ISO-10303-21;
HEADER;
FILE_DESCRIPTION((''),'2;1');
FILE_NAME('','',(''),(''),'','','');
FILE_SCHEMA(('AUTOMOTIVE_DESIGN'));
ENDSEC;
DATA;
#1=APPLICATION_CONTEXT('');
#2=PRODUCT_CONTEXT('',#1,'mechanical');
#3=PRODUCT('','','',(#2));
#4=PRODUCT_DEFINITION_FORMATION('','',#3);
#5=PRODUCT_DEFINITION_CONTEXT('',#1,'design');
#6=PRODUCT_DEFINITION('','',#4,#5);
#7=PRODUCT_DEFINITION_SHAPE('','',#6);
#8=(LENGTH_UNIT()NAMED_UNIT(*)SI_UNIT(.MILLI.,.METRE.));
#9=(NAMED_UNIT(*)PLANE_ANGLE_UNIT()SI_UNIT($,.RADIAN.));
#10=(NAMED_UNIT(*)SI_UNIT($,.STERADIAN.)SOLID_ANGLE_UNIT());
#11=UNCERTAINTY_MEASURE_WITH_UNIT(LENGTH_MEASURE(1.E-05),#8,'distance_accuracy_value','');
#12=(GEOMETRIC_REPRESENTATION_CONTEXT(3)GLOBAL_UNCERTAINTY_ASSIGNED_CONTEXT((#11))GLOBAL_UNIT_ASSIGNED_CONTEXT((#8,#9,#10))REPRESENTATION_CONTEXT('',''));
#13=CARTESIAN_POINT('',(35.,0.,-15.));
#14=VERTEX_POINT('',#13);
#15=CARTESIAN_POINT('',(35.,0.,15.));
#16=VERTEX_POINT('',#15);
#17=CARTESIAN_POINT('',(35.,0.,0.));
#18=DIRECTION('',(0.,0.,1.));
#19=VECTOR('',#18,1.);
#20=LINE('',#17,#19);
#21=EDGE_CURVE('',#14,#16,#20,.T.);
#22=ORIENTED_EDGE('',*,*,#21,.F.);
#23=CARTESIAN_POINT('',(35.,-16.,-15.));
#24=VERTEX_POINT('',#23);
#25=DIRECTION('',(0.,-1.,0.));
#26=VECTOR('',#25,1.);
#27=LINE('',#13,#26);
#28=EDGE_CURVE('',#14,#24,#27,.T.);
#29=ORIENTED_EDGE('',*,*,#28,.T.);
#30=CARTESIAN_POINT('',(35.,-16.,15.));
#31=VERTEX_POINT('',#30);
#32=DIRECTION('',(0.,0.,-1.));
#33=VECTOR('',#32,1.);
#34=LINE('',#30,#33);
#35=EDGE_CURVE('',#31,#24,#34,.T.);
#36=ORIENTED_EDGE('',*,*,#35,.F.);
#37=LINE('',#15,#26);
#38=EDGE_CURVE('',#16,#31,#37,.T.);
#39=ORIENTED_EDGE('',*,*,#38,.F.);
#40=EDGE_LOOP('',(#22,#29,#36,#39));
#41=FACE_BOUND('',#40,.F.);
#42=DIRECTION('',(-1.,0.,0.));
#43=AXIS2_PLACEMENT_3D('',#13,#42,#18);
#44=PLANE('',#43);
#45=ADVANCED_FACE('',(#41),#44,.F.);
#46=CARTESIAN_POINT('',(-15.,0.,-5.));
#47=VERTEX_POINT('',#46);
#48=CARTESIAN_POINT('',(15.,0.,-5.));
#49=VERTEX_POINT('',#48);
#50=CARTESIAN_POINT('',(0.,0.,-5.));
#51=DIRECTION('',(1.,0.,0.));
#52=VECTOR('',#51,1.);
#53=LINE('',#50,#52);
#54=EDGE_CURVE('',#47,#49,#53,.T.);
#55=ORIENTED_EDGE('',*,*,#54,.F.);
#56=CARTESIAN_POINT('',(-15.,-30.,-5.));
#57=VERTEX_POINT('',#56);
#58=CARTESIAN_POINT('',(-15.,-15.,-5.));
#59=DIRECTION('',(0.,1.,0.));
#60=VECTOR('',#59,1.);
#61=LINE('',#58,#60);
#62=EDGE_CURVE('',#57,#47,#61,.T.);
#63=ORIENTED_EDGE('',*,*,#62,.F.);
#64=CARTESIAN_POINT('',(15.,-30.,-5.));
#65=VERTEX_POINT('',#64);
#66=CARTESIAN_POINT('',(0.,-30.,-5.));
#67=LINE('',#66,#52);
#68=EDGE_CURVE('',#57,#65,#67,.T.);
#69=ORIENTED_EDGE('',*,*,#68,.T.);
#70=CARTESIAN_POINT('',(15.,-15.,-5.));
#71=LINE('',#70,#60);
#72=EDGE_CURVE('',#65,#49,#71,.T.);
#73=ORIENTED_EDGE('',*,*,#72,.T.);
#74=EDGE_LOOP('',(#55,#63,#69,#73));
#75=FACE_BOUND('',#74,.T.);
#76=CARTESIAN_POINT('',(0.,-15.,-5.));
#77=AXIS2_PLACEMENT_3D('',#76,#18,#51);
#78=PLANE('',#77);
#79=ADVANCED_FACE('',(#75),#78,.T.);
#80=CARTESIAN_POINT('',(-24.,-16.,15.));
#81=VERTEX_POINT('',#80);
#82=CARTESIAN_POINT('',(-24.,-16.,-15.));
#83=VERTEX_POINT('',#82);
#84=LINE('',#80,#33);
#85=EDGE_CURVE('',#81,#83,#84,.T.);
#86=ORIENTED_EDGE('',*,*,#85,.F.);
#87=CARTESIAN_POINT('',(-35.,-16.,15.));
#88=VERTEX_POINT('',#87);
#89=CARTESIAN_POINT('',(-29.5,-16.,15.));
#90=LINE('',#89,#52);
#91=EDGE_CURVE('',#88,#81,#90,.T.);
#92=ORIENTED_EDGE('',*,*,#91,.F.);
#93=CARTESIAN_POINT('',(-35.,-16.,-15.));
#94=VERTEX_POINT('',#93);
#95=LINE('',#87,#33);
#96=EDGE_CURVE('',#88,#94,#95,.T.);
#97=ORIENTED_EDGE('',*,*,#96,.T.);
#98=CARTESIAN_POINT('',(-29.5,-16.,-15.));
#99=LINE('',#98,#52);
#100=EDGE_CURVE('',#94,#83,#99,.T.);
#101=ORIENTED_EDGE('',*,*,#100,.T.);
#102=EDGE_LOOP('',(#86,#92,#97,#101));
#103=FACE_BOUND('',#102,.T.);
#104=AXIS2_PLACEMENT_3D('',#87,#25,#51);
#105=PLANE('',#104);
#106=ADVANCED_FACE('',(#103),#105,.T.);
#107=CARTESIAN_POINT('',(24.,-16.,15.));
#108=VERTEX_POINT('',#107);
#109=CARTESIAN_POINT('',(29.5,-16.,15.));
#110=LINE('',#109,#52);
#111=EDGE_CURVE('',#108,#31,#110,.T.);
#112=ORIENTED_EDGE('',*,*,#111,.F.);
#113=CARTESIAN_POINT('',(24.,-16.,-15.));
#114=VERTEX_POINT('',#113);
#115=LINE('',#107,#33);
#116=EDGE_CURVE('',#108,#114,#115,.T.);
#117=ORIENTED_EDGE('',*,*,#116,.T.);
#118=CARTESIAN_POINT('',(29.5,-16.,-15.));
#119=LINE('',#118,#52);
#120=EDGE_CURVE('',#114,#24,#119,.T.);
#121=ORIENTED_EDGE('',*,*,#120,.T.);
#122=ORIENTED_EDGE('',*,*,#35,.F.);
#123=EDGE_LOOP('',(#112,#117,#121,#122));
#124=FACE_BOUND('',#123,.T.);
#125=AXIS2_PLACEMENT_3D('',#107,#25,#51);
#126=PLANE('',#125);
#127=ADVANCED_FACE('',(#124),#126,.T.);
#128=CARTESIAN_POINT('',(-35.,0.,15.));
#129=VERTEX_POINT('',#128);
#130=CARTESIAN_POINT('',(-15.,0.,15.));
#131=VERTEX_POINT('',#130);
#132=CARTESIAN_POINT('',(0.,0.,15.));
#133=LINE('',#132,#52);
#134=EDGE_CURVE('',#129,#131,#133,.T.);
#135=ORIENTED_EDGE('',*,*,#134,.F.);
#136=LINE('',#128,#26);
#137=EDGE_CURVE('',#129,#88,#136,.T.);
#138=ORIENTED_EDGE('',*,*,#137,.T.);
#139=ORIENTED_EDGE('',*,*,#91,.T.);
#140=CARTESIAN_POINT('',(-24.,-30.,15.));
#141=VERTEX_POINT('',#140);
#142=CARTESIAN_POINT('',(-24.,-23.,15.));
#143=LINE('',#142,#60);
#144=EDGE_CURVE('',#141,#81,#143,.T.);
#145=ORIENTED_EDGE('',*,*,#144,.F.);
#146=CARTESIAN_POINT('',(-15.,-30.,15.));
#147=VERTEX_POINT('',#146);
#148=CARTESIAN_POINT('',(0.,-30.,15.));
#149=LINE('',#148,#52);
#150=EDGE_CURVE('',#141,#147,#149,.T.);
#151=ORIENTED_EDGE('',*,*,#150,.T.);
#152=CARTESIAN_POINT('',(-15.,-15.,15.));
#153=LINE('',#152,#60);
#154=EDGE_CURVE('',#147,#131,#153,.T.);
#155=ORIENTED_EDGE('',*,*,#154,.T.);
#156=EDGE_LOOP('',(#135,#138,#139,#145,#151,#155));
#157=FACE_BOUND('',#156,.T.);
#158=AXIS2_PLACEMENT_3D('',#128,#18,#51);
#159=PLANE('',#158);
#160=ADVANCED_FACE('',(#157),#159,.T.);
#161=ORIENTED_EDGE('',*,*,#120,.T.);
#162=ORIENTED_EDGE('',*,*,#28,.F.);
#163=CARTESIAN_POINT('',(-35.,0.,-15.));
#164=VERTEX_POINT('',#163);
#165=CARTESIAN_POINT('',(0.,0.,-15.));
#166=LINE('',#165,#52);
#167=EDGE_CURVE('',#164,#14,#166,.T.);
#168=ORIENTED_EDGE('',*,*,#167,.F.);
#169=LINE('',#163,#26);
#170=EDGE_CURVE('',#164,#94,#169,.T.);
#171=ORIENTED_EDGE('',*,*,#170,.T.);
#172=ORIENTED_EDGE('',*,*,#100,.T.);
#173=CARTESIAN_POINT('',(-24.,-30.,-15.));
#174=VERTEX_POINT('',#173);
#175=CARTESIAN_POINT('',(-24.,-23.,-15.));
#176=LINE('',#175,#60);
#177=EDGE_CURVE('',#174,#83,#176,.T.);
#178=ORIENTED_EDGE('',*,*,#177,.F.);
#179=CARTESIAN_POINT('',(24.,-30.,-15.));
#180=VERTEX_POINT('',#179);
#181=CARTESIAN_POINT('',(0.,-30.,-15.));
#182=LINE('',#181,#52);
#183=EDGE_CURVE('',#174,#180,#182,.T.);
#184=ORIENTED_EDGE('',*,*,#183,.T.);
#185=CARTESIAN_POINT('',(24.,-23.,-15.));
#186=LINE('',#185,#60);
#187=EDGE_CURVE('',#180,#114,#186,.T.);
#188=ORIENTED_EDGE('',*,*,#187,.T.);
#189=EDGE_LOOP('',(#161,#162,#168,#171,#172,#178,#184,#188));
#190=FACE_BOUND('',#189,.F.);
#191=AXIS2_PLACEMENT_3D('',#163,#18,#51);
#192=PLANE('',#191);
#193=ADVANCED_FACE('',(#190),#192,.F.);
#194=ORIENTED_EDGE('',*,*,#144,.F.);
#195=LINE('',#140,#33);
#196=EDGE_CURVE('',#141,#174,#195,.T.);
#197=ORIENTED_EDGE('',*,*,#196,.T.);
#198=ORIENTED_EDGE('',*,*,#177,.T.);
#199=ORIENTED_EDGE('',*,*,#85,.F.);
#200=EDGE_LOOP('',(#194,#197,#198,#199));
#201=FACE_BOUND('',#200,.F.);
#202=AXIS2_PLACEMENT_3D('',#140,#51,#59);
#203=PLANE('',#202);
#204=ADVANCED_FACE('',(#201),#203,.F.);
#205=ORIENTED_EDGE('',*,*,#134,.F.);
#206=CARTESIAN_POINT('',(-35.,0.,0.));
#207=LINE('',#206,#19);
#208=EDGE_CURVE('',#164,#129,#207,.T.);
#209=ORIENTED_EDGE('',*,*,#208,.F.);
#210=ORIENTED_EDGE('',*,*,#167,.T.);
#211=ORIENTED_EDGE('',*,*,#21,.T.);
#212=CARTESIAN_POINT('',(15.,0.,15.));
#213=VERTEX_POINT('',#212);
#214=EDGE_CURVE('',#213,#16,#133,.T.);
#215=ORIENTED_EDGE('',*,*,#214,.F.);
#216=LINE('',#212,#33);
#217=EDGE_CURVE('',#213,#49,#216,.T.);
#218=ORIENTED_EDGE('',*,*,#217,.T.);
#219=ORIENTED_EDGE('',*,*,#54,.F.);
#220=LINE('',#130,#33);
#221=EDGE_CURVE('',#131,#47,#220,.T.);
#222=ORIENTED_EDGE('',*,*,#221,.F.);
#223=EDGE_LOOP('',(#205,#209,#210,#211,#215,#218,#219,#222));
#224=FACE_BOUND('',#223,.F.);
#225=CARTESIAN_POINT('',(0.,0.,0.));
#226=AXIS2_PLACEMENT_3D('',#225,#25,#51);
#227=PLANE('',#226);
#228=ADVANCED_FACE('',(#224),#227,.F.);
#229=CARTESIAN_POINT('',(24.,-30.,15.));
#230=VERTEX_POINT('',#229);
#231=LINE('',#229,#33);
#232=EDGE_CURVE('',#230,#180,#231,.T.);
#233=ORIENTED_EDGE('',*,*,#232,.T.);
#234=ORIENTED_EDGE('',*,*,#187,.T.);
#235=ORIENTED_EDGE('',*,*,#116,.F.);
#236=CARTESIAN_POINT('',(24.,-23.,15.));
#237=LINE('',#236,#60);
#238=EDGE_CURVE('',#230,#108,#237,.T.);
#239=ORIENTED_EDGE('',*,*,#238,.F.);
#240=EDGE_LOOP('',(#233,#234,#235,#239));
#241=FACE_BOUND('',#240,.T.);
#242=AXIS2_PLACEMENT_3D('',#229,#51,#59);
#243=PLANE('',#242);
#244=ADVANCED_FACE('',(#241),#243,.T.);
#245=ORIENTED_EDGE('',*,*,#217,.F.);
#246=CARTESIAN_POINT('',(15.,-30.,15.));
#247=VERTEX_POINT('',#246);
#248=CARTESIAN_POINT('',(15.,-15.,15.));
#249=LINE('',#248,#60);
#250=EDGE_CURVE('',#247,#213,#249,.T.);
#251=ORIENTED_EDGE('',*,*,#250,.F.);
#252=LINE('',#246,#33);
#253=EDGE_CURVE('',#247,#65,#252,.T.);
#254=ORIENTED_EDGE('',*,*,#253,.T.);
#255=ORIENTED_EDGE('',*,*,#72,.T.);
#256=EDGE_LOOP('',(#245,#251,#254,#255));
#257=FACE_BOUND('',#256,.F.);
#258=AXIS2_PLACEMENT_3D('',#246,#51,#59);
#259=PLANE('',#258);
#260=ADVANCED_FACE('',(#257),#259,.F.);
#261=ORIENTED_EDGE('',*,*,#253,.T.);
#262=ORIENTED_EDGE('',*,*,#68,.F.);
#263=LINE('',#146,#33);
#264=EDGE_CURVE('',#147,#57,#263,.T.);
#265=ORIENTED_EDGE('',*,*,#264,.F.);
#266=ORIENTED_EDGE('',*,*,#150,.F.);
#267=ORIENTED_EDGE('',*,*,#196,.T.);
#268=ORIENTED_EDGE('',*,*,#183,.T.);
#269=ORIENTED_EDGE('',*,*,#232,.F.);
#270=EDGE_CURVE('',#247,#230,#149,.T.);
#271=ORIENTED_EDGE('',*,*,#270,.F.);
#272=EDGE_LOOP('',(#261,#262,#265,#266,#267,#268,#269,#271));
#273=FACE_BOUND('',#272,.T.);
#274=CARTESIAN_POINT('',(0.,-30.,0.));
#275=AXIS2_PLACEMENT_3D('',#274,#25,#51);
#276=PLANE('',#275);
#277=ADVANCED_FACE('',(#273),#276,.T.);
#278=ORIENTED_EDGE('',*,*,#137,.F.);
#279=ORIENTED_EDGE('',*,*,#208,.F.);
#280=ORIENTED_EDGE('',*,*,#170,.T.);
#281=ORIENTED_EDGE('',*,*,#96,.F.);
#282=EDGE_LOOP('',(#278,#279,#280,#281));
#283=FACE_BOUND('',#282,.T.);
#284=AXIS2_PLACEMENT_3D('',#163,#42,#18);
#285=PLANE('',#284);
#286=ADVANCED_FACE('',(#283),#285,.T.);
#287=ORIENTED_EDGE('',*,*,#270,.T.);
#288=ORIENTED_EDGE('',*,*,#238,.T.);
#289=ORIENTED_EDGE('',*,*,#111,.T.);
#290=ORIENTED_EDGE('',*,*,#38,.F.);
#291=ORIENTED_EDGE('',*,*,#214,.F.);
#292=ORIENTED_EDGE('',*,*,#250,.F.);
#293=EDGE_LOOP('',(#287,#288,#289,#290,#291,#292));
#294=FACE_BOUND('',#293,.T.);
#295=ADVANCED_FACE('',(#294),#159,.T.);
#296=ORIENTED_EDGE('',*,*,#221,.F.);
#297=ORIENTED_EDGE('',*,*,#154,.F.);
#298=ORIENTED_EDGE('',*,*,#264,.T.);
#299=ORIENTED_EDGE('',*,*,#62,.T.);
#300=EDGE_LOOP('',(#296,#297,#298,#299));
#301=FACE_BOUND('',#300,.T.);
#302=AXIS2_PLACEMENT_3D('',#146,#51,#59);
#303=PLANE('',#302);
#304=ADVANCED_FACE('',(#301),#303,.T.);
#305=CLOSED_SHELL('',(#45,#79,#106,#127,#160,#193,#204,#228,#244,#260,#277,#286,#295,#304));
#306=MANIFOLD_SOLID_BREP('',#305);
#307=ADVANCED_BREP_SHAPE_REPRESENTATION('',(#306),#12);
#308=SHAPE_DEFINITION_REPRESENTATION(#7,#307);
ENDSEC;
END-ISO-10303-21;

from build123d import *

# Parameters (mm, degrees)
F0_W     = 70
F0_H     = 30
F1_DEPTH = 30
F2_W     = 30
F2_H     = 30
F3_DEPTH = 20
F4_DEPTH = 20
F5_W     = 11
F5_H     = 14
F6_DEPTH = 30
F7_W     = 11
F7_H     = 14
F8_DEPTH = 30


with BuildPart() as f1:
    # F0 (on Front) → F1 (new body)
    with BuildSketch(Plane.XZ):
        Rectangle(F0_W, F0_H)
    extrude(amount=F1_DEPTH)

    # F2 (on face) → F3 (cut)
    with BuildSketch(Plane.XY.offset(15)):
        with Locations((0, -15)):
            Rectangle(F2_W, F2_H)
    extrude(amount=-F3_DEPTH, mode=Mode.SUBTRACT)

    # F2 (on face) → F4 (cut)
    with BuildSketch(Plane.XY.offset(15)):
        with Locations((0, -15)):
            Rectangle(F2_W, F2_H)
    extrude(amount=-F4_DEPTH, mode=Mode.SUBTRACT)

    # F5 (on face) → F6 (cut)
    with BuildSketch(Plane.XY.offset(15)):
        with Locations((29.5, -23)):
            Rectangle(F5_W, F5_H)
    extrude(amount=-F6_DEPTH, mode=Mode.SUBTRACT)

    # F7 (on face) → F8 (cut)
    with BuildSketch(Plane.XY.offset(15)):
        with Locations((-29.5, -23)):
            Rectangle(F7_W, F7_H)
    extrude(amount=-F8_DEPTH, mode=Mode.SUBTRACT)


solid = f1.part
